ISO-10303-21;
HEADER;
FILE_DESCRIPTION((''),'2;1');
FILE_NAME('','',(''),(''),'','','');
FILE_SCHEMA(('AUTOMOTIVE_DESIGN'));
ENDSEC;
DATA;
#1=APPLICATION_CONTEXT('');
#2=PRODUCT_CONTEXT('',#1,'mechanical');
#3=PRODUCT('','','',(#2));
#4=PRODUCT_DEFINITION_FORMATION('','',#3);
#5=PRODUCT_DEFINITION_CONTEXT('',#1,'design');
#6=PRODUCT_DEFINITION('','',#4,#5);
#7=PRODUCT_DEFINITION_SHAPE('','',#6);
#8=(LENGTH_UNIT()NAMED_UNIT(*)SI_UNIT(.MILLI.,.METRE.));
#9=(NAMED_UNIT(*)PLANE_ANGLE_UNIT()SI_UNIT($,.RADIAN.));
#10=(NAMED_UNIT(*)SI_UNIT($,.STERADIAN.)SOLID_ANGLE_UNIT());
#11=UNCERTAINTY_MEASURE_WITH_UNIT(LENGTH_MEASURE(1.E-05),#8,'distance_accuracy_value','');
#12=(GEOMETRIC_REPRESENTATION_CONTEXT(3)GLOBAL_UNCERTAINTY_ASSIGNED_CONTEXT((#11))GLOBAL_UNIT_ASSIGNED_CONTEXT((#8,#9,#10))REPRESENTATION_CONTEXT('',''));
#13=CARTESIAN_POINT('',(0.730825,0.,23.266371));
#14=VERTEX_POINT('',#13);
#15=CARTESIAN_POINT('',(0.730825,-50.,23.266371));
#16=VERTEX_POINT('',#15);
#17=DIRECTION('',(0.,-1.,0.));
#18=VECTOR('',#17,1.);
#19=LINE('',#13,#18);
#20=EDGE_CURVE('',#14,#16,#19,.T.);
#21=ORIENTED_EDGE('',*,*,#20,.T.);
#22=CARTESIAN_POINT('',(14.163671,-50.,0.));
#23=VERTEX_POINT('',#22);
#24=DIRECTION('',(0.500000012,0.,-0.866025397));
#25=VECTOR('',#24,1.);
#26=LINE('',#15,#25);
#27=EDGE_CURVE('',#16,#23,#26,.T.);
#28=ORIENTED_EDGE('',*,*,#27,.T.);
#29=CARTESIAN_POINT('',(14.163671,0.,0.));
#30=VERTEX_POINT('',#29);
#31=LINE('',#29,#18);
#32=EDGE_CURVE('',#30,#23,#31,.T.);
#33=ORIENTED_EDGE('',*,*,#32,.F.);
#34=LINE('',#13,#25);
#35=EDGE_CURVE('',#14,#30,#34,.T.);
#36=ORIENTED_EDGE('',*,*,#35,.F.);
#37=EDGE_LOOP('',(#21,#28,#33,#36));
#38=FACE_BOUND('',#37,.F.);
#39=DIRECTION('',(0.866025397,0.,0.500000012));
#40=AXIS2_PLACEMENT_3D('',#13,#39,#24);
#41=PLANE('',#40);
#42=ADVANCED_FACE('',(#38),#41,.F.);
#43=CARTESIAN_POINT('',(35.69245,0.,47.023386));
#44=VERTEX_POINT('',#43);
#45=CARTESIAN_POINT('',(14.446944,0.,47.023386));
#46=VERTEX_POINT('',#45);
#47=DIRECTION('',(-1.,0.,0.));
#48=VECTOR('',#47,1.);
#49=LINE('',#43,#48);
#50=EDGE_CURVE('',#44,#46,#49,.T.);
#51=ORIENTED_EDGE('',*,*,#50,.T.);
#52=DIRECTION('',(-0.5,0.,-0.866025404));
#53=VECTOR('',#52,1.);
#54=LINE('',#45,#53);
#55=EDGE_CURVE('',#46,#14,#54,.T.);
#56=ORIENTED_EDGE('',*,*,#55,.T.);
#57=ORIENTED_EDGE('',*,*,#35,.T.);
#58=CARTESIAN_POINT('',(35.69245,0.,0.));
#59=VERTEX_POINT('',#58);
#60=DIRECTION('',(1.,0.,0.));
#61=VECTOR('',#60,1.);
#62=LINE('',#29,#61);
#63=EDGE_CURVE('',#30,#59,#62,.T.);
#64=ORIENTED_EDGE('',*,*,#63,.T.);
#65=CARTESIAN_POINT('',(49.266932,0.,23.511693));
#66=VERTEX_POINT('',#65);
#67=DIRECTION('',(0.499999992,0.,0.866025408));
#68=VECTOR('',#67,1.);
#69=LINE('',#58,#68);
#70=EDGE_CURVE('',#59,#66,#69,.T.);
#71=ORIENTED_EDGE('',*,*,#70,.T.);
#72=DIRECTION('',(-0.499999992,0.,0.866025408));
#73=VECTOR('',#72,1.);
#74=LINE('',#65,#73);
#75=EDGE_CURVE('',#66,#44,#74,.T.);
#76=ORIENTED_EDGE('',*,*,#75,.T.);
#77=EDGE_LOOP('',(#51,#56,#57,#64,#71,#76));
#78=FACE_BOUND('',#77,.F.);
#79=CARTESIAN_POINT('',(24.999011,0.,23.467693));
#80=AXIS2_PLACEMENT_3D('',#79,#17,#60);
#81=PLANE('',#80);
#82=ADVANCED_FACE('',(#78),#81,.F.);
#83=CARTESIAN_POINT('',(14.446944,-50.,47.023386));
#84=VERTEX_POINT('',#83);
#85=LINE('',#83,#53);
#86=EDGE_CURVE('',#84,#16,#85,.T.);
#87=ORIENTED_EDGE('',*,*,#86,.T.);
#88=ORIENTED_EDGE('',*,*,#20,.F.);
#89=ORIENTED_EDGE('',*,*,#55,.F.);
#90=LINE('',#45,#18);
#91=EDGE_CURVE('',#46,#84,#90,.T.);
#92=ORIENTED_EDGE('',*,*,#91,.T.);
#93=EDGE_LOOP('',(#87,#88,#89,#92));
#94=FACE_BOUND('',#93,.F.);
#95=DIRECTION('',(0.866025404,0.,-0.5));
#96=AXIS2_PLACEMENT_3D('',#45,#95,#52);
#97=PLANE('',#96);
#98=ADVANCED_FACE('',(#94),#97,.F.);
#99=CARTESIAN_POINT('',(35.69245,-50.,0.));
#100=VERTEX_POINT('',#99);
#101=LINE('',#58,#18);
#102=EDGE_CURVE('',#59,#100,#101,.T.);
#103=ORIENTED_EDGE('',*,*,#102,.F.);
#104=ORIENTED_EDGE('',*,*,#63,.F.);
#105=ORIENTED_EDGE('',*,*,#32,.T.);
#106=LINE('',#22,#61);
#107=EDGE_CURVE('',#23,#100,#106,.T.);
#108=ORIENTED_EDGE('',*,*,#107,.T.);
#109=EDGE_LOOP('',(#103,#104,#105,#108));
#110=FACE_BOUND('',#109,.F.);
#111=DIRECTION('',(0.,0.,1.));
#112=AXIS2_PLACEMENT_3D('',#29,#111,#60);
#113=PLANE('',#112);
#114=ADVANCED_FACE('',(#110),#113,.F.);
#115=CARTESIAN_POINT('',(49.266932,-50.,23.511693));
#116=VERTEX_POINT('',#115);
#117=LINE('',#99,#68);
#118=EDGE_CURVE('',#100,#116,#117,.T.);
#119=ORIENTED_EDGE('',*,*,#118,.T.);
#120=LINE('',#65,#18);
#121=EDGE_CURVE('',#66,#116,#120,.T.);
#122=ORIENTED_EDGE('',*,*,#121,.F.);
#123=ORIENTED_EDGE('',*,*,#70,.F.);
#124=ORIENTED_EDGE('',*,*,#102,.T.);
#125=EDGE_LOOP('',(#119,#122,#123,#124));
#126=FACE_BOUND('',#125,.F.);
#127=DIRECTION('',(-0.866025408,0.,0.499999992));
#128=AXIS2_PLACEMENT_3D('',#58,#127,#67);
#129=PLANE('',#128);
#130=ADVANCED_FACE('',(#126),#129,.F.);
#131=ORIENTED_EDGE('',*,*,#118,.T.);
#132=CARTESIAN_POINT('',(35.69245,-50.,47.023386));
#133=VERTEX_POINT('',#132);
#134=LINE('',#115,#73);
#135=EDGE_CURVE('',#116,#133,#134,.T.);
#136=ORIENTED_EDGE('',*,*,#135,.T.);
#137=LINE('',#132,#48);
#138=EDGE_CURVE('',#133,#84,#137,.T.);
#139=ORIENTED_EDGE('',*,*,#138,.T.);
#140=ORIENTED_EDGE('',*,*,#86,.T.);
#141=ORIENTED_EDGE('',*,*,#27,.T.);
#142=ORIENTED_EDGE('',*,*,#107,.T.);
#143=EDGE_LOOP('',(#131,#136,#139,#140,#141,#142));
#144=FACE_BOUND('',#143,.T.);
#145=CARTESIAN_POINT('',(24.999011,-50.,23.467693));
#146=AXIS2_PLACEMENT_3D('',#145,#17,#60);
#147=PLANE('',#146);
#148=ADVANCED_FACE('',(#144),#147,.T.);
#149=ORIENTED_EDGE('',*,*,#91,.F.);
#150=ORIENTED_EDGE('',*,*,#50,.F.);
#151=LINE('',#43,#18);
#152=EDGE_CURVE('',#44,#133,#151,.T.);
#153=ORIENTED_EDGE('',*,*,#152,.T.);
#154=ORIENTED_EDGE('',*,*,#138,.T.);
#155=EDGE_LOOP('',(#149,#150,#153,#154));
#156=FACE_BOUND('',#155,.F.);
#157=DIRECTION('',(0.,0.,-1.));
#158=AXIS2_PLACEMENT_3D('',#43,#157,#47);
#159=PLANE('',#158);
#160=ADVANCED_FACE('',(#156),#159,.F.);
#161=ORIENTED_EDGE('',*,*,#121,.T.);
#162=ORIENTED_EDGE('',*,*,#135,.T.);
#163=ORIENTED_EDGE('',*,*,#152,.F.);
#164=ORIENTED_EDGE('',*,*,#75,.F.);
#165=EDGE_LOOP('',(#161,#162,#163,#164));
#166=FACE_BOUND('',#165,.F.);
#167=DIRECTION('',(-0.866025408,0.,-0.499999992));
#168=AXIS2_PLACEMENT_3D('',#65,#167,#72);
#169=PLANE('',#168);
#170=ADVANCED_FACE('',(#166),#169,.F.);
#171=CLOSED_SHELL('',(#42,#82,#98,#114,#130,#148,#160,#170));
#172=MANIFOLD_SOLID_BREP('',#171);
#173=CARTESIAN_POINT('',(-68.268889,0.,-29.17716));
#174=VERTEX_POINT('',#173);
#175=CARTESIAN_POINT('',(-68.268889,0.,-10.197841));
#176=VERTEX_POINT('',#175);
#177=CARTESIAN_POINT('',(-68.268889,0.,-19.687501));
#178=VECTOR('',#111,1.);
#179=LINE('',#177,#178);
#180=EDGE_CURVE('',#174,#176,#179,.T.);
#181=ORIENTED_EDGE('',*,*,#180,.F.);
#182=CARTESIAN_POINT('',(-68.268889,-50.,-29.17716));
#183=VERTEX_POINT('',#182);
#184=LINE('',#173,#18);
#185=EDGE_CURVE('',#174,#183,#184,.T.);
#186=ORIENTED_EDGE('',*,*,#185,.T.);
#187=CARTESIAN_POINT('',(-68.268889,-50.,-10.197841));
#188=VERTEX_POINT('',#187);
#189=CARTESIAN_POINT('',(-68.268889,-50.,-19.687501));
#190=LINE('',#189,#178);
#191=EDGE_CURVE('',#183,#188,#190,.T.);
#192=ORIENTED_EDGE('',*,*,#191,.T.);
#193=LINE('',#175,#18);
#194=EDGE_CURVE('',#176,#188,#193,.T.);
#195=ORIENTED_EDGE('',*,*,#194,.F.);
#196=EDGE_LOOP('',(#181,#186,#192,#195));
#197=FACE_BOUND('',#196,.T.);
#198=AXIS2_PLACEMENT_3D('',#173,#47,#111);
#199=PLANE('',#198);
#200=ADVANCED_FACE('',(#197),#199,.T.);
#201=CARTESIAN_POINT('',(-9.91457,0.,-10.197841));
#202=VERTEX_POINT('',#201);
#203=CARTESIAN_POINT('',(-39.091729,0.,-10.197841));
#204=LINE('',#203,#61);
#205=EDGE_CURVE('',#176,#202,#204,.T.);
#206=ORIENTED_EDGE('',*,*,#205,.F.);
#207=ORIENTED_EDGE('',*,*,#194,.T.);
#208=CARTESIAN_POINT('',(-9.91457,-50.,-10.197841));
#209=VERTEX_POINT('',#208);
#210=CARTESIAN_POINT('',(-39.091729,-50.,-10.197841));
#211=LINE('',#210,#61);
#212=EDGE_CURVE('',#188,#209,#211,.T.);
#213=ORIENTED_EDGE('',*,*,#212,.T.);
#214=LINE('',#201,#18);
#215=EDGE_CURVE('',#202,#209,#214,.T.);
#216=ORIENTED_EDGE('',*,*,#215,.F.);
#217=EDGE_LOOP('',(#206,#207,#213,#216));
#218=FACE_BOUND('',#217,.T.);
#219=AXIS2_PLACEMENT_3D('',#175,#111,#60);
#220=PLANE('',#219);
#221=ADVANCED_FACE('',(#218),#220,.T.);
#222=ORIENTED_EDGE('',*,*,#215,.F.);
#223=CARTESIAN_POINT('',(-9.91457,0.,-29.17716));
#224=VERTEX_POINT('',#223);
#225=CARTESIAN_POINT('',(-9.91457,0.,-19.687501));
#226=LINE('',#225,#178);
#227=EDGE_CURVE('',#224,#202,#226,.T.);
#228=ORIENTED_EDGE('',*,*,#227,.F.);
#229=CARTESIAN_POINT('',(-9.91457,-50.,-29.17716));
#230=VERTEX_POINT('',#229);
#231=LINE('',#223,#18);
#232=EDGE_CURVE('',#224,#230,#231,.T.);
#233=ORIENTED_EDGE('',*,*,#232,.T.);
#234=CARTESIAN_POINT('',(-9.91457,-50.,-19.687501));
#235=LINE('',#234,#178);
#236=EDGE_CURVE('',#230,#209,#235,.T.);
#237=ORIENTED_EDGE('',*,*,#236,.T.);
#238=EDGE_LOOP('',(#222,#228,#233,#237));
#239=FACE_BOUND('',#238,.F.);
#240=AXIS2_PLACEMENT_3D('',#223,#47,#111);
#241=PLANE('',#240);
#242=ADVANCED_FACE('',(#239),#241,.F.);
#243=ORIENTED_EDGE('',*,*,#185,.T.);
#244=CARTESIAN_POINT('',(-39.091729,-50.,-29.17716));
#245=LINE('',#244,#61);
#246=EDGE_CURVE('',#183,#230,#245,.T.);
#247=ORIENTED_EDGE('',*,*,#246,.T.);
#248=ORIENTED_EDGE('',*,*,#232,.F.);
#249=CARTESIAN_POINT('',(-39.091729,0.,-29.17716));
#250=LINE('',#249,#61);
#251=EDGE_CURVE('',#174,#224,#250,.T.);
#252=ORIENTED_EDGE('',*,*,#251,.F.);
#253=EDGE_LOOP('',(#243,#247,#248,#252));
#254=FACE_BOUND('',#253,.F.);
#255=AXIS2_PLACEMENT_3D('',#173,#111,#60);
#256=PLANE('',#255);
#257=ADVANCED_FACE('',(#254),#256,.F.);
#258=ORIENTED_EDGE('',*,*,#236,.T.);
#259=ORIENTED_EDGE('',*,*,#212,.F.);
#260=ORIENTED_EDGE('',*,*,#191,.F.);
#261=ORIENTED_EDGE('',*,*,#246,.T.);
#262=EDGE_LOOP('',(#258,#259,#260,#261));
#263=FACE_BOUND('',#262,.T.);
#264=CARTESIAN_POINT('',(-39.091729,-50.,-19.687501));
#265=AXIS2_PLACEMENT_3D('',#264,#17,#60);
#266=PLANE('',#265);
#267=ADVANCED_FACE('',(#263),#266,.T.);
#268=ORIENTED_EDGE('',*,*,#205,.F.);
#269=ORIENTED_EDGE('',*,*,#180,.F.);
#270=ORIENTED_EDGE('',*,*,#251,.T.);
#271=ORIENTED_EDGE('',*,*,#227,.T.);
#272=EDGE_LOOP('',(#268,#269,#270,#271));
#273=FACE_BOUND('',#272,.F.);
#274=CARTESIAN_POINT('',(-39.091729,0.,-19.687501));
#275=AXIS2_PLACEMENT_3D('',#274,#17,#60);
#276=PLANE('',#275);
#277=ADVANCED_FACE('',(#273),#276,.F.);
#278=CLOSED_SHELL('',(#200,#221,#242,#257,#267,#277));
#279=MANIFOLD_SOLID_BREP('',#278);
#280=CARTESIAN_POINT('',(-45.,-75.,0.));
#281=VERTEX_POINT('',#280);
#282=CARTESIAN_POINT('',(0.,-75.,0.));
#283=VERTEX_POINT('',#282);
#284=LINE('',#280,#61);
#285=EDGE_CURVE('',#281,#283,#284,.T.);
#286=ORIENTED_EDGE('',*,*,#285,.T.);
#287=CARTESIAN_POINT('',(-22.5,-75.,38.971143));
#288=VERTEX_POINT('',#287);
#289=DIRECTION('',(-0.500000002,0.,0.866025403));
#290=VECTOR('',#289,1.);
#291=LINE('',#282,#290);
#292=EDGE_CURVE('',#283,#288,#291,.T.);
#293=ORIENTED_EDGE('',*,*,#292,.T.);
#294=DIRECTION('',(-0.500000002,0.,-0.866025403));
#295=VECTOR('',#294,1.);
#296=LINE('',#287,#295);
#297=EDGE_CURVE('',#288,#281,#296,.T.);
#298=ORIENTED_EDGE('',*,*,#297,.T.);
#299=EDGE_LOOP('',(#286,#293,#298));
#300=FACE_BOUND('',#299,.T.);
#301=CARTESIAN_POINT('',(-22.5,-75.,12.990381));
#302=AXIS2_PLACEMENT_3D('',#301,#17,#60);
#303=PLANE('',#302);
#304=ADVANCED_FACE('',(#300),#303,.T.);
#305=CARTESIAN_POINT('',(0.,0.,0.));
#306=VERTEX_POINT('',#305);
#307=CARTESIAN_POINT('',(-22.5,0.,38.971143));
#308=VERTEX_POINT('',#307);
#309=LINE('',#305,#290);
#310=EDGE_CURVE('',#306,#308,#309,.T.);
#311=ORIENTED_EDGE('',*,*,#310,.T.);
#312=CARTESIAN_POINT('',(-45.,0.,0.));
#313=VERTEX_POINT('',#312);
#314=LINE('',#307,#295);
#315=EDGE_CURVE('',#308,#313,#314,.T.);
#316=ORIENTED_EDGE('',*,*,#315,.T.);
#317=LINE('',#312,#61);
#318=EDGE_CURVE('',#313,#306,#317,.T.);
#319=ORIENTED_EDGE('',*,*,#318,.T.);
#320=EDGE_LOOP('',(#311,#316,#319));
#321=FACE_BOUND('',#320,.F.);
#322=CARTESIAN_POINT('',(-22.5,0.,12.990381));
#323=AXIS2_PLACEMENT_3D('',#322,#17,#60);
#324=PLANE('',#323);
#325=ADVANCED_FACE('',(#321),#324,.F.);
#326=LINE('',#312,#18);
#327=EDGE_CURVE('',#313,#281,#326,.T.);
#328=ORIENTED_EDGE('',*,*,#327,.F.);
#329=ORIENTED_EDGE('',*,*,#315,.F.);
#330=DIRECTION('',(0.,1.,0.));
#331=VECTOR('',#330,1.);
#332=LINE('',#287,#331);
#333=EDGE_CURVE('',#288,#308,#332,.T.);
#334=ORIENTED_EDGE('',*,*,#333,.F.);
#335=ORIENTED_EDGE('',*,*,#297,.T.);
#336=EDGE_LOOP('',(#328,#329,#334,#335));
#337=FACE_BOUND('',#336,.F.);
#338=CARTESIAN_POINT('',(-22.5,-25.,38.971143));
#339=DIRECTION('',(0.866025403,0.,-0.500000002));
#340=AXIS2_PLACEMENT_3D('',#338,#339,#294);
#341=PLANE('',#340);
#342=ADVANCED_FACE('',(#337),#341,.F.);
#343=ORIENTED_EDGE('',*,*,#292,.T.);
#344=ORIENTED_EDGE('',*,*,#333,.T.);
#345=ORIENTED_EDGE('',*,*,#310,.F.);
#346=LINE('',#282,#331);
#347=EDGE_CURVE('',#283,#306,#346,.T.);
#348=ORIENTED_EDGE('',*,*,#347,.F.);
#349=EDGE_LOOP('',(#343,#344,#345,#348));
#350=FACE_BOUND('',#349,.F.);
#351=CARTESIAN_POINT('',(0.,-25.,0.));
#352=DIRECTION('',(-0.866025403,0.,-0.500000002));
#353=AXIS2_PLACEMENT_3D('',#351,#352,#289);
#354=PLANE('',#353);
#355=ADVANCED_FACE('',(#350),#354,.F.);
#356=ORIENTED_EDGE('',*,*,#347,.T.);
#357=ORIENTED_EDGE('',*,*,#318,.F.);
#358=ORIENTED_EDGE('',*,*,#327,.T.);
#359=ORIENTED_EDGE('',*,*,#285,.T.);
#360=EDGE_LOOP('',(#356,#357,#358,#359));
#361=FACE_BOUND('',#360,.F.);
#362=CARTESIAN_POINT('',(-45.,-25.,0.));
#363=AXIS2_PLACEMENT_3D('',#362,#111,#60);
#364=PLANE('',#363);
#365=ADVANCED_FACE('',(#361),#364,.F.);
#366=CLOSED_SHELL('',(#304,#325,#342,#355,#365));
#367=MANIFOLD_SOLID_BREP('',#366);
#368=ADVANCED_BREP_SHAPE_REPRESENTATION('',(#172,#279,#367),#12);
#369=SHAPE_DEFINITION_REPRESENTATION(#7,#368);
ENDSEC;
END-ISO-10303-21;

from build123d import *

# Parameters (mm, degrees)
F1_DEPTH = 25
F3_DEPTH = 50
F4_DEPTH = 50
F5_W     = 58.354319
F5_H     = 18.979319
F6_DEPTH = 50


with BuildPart() as f1:
    # F0 (on Front) → F1 (new body)
    with BuildSketch(Plane.XZ):
        Polygon((-45, 0), (0, 0), (-22.5, 38.971143), align=None)
    extrude(amount=F1_DEPTH)

    # F1_face (on face) → F4 (join)
    with BuildSketch(Plane(origin=(-22.5, -25, 12.990381), x_dir=(1, 0, 0), z_dir=(0, -1, 0))):
        Polygon((0, 25.980762), (-22.5, -12.990381), (22.5, -12.990381), align=None)
    extrude(amount=F4_DEPTH)


with BuildPart() as f3:
    # F2 (on Front) → F3 (new body)
    with BuildSketch(Plane.XZ):
        Polygon((0.730825, 23.266371), (14.163671, 0), (35.69245, 0), (49.266932, 23.511693), (35.69245, 47.023386), (14.446944, 47.023386), align=None)
    extrude(amount=F3_DEPTH)


with BuildPart() as f6:
    # F5 (on Front) → F6 (new body)
    with BuildSketch(Plane.XZ):
        with Locations((-39.091729, -19.687501)):
            Rectangle(F5_W, F5_H)
    extrude(amount=F6_DEPTH)


solid = Compound([f1.part, f3.part, f6.part])
